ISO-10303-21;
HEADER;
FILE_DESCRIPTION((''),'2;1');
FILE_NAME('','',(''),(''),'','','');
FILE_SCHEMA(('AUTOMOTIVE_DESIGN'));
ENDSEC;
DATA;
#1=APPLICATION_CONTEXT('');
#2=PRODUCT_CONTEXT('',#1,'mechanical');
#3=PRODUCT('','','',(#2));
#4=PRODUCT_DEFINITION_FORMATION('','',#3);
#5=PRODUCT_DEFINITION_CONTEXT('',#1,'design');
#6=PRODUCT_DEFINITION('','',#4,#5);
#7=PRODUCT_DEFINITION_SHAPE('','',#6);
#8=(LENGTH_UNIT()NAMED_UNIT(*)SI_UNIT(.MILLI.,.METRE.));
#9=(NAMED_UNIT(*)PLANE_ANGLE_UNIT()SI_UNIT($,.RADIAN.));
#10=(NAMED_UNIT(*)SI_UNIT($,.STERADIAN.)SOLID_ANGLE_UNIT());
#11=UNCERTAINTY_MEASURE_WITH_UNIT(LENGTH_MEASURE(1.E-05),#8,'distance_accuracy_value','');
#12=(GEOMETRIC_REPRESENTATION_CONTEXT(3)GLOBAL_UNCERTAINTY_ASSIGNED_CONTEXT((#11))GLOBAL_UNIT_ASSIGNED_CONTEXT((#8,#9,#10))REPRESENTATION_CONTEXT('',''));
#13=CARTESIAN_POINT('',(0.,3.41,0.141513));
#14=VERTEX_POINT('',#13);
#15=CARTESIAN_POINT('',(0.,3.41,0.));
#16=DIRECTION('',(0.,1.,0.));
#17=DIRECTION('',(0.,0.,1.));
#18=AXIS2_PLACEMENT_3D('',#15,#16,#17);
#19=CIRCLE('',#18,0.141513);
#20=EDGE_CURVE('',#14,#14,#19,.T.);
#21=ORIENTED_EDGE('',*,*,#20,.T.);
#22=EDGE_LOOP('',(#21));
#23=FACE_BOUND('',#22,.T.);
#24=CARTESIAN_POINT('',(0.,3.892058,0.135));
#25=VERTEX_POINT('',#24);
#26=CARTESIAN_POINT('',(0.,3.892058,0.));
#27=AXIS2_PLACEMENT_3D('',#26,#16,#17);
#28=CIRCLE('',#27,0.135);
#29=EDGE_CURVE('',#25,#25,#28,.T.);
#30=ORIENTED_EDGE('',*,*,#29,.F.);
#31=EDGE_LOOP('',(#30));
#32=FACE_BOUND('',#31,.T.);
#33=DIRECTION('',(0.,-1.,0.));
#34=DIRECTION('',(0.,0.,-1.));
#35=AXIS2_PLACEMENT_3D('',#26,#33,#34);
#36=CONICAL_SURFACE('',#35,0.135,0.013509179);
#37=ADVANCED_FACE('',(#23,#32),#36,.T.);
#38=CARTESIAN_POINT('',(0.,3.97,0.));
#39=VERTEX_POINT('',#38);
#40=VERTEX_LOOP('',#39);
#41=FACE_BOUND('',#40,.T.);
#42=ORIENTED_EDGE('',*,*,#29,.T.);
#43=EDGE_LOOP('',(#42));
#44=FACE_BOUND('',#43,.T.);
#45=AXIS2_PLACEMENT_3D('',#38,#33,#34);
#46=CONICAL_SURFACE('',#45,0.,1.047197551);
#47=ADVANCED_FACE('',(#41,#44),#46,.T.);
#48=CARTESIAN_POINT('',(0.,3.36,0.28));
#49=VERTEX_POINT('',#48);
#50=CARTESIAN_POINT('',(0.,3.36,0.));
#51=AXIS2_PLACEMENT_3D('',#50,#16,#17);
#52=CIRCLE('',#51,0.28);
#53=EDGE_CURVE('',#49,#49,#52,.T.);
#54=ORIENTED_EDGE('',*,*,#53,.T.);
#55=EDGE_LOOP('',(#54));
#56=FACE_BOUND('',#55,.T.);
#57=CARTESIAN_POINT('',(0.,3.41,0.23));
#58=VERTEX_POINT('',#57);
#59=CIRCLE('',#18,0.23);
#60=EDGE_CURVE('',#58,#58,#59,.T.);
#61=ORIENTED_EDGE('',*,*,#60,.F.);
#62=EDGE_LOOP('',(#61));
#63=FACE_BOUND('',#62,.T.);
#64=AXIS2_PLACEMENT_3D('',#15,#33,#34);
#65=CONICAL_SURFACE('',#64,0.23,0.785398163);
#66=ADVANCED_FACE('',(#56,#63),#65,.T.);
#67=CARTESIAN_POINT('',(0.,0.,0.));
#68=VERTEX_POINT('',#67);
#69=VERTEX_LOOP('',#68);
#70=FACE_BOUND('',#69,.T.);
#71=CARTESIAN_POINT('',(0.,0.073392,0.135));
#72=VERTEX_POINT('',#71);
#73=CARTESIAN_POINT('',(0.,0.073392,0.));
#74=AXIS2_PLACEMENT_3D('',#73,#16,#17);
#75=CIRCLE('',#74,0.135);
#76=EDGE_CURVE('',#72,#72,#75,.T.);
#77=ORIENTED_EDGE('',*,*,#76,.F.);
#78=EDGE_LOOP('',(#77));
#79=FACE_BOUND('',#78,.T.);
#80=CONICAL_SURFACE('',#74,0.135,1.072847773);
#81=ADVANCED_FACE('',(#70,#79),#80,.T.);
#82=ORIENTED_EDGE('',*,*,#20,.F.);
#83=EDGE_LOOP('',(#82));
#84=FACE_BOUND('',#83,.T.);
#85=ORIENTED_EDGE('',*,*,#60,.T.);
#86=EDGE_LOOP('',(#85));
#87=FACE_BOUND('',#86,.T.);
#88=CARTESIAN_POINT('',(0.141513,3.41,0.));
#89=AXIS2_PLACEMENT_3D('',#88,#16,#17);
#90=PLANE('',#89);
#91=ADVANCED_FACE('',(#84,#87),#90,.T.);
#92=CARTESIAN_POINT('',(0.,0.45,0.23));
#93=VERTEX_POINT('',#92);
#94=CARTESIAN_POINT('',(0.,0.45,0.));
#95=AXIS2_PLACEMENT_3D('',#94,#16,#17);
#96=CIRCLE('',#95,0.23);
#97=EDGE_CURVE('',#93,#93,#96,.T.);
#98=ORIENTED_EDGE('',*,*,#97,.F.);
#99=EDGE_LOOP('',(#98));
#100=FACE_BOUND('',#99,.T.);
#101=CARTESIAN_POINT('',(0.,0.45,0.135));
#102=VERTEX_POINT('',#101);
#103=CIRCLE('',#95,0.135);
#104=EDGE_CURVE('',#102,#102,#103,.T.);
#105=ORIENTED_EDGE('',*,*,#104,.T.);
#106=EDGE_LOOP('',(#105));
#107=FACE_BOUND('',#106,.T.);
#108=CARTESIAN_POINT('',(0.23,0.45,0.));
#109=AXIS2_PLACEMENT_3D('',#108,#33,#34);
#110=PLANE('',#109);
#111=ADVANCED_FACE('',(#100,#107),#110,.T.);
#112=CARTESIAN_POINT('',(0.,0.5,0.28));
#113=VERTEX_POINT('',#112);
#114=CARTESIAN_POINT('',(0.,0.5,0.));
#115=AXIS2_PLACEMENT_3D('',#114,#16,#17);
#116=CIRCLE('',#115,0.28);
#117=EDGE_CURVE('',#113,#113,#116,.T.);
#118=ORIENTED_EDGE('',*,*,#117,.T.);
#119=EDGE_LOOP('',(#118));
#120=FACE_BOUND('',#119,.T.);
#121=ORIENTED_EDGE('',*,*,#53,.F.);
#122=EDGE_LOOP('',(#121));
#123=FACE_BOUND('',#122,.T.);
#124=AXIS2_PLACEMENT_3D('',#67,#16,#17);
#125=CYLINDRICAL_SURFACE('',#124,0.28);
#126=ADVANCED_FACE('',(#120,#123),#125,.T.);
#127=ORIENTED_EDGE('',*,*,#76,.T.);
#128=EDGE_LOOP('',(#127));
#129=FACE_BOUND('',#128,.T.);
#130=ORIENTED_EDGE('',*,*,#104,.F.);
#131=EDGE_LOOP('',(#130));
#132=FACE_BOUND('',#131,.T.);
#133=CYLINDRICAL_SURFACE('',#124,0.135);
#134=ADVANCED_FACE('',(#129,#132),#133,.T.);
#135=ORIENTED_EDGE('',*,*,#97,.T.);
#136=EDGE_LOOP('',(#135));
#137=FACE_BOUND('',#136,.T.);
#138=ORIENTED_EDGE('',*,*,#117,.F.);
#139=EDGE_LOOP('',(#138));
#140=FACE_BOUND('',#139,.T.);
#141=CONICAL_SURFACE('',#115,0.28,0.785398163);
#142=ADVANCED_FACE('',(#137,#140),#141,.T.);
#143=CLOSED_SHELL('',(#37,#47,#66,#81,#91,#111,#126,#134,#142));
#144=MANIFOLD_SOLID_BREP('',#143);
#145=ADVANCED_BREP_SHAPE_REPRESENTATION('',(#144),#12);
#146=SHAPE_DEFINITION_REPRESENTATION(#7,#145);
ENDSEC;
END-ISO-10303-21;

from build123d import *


with BuildPart() as part:
    # Sketch1 → Revolve1 (revolve)
    with BuildSketch(Plane(origin=(0, 0, 0), x_dir=(-1, 0, 0), z_dir=(0, 0, -1))):
        Polygon((-0.135, 0.07339164), (0, 0), (0, 3.97), (-0.135, 3.892057714), (-0.1415126, 3.41), (-0.23, 3.41), (-0.28, 3.36), (-0.28, 0.5), (-0.23, 0.45), (-0.135, 0.45), align=None)
    revolve(axis=Axis((0, 0, 0), (0, 1, 0)))


solid = part.part
